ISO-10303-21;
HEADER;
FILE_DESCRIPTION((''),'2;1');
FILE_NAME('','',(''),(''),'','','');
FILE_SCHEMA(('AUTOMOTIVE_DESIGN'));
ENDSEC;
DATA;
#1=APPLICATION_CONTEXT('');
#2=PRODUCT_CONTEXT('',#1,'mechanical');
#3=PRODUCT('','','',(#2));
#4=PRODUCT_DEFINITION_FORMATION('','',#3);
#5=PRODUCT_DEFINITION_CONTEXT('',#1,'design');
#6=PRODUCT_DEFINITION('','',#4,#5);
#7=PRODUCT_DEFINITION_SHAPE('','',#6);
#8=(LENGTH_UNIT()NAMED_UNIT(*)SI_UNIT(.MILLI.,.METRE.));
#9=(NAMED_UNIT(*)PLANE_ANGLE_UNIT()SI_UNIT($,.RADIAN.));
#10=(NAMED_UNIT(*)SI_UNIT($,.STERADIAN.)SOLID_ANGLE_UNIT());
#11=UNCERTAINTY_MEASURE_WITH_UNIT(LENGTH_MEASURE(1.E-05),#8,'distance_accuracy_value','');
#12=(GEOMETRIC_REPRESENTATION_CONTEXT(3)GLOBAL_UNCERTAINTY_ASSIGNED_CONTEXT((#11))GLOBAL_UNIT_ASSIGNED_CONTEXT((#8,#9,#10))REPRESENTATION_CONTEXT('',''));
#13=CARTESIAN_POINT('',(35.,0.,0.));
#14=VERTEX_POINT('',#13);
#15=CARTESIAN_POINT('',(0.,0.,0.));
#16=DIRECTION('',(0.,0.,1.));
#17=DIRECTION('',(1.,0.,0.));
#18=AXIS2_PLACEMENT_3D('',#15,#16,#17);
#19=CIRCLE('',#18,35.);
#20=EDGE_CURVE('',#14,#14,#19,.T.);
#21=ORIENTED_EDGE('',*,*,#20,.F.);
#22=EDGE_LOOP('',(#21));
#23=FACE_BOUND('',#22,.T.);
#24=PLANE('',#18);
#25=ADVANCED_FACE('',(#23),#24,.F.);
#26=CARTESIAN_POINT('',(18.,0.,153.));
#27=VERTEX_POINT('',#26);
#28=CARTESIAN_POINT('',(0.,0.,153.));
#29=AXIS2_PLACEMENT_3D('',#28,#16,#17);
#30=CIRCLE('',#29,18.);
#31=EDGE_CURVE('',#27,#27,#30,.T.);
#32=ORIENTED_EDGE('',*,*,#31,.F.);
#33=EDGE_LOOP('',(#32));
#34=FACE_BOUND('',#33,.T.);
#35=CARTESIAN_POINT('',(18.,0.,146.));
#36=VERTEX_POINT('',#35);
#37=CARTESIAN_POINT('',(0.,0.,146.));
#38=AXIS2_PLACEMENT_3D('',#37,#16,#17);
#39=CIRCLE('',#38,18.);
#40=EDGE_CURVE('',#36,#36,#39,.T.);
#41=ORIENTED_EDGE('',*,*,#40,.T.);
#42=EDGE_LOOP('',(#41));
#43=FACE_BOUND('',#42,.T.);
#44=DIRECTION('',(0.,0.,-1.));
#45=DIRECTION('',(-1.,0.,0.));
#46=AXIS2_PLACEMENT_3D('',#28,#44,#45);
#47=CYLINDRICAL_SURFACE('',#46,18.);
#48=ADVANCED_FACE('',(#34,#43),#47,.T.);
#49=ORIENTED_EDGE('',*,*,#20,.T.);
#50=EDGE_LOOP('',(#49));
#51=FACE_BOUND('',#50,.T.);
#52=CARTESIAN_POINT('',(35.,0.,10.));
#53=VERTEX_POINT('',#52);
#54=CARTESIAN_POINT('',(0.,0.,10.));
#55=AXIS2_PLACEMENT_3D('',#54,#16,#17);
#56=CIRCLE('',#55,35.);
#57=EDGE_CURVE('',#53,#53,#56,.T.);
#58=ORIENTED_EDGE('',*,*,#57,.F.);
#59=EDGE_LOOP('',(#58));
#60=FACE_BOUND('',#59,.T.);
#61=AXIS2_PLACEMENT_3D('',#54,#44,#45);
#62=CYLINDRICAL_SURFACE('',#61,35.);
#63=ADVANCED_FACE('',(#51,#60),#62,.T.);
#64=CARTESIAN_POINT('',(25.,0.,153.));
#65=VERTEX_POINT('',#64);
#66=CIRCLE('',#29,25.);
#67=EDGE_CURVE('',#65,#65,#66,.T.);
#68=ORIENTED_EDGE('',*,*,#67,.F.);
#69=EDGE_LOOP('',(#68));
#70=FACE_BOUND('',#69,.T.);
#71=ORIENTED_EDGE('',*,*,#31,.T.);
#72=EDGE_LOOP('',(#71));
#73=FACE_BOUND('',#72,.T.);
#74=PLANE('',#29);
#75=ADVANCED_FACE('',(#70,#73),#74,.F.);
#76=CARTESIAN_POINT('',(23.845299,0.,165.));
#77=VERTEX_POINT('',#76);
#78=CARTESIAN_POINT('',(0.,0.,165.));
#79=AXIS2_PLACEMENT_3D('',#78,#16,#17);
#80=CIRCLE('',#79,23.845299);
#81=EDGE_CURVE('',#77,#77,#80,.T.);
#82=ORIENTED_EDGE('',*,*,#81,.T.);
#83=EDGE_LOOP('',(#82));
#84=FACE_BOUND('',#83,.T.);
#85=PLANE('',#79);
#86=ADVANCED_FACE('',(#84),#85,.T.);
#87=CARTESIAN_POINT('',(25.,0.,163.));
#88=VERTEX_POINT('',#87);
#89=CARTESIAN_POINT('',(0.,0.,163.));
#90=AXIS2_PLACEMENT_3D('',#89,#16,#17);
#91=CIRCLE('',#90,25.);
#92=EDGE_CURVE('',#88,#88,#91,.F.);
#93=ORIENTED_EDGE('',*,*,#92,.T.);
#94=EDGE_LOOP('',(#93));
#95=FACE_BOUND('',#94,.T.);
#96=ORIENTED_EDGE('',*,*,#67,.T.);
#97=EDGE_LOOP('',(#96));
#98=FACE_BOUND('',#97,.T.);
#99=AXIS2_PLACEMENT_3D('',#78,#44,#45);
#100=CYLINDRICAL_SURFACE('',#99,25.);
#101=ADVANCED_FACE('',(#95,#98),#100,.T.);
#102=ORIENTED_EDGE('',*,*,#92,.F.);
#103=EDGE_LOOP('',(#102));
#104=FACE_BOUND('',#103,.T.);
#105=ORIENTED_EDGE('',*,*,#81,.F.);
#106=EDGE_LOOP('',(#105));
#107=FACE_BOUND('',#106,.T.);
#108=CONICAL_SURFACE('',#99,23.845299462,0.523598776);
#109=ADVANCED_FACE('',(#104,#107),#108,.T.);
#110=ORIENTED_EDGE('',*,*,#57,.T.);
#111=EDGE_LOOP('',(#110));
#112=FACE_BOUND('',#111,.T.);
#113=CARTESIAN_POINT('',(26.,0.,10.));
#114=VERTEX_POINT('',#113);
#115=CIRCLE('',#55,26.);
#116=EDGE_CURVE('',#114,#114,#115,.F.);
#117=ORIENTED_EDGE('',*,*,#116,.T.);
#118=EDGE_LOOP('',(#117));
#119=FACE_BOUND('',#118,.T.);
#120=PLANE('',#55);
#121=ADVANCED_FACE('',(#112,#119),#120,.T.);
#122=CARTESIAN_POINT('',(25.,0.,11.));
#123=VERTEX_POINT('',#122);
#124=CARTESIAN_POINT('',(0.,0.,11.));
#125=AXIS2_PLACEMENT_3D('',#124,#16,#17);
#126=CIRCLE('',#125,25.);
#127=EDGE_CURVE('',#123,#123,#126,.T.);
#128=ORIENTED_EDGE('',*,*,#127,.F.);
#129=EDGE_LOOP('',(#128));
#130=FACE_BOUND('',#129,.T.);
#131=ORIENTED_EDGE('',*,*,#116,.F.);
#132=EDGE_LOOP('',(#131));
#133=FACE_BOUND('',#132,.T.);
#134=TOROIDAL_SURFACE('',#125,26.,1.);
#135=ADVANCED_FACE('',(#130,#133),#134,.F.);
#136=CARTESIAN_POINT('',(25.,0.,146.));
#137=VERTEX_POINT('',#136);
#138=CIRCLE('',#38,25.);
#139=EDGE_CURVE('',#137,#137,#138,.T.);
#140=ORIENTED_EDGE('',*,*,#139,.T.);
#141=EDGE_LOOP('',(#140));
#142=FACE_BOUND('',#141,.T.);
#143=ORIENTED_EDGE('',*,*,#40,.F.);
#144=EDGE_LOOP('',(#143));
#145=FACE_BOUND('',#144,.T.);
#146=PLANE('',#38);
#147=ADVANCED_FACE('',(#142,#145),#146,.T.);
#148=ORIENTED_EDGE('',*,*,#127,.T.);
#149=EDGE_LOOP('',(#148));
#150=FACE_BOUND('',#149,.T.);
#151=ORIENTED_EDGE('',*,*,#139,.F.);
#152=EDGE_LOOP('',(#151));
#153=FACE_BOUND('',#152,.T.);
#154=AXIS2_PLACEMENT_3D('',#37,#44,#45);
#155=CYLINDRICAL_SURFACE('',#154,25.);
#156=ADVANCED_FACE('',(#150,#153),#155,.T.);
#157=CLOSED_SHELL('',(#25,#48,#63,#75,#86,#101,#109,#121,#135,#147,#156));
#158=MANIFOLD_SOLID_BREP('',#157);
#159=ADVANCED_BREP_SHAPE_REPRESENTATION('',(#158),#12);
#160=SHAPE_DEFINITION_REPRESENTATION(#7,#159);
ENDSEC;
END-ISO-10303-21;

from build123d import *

# Parameters (mm, degrees)
SKETCH_1_R      = 35
EXTRUDE_1_DEPTH = 10
SKETCH_2_R      = 25
EXTRUDE_2_DEPTH = 136
SKETCH_3_R      = 18
EXTRUDE_3_DEPTH = 7
SKETCH_4_R      = 25
EXTRUDE_4_DEPTH = 12
CHAMFER_1_SIZE  = 2
CHAMFER_1_SIZE2 = 1.154700538
FILLET_1_R      = 1


with BuildPart() as part:
    # 草图1 → 凸台-拉伸1 (new body)
    with BuildSketch(Plane.XY):
        Circle(SKETCH_1_R)
    extrude(amount=EXTRUDE_1_DEPTH)

    # 草图2 → 凸台-拉伸2 (add)
    with BuildSketch(Plane.XY.offset(10)):
        Circle(SKETCH_2_R)
    extrude(amount=EXTRUDE_2_DEPTH)

    # 草图3 → 凸台-拉伸3 (add)
    with BuildSketch(Plane.XY.offset(146)):
        Circle(SKETCH_3_R)
    extrude(amount=EXTRUDE_3_DEPTH)

    # 草图4 → 凸台-拉伸4 (add)
    with BuildSketch(Plane.XY.offset(153)):
        Circle(SKETCH_4_R)
    extrude(amount=EXTRUDE_4_DEPTH)

    # 倒角1
    chamfer_1_edges = [part.edges().sort_by_distance(p)[0] for p in [
        (-25, 0, 165),
    ]]
    chamfer_1_side = [part.faces().sort_by_distance(p)[0] for p in [
        (-25, 0, 159),
    ]]
    chamfer(chamfer_1_edges, length=CHAMFER_1_SIZE, length2=CHAMFER_1_SIZE2, reference=chamfer_1_side[0])

    # 圆角1
    fillet_1_edges = [part.edges().sort_by_distance(p)[0] for p in [
        (-25, 0, 10),
    ]]
    fillet(fillet_1_edges, radius=FILLET_1_R)


solid = part.part
